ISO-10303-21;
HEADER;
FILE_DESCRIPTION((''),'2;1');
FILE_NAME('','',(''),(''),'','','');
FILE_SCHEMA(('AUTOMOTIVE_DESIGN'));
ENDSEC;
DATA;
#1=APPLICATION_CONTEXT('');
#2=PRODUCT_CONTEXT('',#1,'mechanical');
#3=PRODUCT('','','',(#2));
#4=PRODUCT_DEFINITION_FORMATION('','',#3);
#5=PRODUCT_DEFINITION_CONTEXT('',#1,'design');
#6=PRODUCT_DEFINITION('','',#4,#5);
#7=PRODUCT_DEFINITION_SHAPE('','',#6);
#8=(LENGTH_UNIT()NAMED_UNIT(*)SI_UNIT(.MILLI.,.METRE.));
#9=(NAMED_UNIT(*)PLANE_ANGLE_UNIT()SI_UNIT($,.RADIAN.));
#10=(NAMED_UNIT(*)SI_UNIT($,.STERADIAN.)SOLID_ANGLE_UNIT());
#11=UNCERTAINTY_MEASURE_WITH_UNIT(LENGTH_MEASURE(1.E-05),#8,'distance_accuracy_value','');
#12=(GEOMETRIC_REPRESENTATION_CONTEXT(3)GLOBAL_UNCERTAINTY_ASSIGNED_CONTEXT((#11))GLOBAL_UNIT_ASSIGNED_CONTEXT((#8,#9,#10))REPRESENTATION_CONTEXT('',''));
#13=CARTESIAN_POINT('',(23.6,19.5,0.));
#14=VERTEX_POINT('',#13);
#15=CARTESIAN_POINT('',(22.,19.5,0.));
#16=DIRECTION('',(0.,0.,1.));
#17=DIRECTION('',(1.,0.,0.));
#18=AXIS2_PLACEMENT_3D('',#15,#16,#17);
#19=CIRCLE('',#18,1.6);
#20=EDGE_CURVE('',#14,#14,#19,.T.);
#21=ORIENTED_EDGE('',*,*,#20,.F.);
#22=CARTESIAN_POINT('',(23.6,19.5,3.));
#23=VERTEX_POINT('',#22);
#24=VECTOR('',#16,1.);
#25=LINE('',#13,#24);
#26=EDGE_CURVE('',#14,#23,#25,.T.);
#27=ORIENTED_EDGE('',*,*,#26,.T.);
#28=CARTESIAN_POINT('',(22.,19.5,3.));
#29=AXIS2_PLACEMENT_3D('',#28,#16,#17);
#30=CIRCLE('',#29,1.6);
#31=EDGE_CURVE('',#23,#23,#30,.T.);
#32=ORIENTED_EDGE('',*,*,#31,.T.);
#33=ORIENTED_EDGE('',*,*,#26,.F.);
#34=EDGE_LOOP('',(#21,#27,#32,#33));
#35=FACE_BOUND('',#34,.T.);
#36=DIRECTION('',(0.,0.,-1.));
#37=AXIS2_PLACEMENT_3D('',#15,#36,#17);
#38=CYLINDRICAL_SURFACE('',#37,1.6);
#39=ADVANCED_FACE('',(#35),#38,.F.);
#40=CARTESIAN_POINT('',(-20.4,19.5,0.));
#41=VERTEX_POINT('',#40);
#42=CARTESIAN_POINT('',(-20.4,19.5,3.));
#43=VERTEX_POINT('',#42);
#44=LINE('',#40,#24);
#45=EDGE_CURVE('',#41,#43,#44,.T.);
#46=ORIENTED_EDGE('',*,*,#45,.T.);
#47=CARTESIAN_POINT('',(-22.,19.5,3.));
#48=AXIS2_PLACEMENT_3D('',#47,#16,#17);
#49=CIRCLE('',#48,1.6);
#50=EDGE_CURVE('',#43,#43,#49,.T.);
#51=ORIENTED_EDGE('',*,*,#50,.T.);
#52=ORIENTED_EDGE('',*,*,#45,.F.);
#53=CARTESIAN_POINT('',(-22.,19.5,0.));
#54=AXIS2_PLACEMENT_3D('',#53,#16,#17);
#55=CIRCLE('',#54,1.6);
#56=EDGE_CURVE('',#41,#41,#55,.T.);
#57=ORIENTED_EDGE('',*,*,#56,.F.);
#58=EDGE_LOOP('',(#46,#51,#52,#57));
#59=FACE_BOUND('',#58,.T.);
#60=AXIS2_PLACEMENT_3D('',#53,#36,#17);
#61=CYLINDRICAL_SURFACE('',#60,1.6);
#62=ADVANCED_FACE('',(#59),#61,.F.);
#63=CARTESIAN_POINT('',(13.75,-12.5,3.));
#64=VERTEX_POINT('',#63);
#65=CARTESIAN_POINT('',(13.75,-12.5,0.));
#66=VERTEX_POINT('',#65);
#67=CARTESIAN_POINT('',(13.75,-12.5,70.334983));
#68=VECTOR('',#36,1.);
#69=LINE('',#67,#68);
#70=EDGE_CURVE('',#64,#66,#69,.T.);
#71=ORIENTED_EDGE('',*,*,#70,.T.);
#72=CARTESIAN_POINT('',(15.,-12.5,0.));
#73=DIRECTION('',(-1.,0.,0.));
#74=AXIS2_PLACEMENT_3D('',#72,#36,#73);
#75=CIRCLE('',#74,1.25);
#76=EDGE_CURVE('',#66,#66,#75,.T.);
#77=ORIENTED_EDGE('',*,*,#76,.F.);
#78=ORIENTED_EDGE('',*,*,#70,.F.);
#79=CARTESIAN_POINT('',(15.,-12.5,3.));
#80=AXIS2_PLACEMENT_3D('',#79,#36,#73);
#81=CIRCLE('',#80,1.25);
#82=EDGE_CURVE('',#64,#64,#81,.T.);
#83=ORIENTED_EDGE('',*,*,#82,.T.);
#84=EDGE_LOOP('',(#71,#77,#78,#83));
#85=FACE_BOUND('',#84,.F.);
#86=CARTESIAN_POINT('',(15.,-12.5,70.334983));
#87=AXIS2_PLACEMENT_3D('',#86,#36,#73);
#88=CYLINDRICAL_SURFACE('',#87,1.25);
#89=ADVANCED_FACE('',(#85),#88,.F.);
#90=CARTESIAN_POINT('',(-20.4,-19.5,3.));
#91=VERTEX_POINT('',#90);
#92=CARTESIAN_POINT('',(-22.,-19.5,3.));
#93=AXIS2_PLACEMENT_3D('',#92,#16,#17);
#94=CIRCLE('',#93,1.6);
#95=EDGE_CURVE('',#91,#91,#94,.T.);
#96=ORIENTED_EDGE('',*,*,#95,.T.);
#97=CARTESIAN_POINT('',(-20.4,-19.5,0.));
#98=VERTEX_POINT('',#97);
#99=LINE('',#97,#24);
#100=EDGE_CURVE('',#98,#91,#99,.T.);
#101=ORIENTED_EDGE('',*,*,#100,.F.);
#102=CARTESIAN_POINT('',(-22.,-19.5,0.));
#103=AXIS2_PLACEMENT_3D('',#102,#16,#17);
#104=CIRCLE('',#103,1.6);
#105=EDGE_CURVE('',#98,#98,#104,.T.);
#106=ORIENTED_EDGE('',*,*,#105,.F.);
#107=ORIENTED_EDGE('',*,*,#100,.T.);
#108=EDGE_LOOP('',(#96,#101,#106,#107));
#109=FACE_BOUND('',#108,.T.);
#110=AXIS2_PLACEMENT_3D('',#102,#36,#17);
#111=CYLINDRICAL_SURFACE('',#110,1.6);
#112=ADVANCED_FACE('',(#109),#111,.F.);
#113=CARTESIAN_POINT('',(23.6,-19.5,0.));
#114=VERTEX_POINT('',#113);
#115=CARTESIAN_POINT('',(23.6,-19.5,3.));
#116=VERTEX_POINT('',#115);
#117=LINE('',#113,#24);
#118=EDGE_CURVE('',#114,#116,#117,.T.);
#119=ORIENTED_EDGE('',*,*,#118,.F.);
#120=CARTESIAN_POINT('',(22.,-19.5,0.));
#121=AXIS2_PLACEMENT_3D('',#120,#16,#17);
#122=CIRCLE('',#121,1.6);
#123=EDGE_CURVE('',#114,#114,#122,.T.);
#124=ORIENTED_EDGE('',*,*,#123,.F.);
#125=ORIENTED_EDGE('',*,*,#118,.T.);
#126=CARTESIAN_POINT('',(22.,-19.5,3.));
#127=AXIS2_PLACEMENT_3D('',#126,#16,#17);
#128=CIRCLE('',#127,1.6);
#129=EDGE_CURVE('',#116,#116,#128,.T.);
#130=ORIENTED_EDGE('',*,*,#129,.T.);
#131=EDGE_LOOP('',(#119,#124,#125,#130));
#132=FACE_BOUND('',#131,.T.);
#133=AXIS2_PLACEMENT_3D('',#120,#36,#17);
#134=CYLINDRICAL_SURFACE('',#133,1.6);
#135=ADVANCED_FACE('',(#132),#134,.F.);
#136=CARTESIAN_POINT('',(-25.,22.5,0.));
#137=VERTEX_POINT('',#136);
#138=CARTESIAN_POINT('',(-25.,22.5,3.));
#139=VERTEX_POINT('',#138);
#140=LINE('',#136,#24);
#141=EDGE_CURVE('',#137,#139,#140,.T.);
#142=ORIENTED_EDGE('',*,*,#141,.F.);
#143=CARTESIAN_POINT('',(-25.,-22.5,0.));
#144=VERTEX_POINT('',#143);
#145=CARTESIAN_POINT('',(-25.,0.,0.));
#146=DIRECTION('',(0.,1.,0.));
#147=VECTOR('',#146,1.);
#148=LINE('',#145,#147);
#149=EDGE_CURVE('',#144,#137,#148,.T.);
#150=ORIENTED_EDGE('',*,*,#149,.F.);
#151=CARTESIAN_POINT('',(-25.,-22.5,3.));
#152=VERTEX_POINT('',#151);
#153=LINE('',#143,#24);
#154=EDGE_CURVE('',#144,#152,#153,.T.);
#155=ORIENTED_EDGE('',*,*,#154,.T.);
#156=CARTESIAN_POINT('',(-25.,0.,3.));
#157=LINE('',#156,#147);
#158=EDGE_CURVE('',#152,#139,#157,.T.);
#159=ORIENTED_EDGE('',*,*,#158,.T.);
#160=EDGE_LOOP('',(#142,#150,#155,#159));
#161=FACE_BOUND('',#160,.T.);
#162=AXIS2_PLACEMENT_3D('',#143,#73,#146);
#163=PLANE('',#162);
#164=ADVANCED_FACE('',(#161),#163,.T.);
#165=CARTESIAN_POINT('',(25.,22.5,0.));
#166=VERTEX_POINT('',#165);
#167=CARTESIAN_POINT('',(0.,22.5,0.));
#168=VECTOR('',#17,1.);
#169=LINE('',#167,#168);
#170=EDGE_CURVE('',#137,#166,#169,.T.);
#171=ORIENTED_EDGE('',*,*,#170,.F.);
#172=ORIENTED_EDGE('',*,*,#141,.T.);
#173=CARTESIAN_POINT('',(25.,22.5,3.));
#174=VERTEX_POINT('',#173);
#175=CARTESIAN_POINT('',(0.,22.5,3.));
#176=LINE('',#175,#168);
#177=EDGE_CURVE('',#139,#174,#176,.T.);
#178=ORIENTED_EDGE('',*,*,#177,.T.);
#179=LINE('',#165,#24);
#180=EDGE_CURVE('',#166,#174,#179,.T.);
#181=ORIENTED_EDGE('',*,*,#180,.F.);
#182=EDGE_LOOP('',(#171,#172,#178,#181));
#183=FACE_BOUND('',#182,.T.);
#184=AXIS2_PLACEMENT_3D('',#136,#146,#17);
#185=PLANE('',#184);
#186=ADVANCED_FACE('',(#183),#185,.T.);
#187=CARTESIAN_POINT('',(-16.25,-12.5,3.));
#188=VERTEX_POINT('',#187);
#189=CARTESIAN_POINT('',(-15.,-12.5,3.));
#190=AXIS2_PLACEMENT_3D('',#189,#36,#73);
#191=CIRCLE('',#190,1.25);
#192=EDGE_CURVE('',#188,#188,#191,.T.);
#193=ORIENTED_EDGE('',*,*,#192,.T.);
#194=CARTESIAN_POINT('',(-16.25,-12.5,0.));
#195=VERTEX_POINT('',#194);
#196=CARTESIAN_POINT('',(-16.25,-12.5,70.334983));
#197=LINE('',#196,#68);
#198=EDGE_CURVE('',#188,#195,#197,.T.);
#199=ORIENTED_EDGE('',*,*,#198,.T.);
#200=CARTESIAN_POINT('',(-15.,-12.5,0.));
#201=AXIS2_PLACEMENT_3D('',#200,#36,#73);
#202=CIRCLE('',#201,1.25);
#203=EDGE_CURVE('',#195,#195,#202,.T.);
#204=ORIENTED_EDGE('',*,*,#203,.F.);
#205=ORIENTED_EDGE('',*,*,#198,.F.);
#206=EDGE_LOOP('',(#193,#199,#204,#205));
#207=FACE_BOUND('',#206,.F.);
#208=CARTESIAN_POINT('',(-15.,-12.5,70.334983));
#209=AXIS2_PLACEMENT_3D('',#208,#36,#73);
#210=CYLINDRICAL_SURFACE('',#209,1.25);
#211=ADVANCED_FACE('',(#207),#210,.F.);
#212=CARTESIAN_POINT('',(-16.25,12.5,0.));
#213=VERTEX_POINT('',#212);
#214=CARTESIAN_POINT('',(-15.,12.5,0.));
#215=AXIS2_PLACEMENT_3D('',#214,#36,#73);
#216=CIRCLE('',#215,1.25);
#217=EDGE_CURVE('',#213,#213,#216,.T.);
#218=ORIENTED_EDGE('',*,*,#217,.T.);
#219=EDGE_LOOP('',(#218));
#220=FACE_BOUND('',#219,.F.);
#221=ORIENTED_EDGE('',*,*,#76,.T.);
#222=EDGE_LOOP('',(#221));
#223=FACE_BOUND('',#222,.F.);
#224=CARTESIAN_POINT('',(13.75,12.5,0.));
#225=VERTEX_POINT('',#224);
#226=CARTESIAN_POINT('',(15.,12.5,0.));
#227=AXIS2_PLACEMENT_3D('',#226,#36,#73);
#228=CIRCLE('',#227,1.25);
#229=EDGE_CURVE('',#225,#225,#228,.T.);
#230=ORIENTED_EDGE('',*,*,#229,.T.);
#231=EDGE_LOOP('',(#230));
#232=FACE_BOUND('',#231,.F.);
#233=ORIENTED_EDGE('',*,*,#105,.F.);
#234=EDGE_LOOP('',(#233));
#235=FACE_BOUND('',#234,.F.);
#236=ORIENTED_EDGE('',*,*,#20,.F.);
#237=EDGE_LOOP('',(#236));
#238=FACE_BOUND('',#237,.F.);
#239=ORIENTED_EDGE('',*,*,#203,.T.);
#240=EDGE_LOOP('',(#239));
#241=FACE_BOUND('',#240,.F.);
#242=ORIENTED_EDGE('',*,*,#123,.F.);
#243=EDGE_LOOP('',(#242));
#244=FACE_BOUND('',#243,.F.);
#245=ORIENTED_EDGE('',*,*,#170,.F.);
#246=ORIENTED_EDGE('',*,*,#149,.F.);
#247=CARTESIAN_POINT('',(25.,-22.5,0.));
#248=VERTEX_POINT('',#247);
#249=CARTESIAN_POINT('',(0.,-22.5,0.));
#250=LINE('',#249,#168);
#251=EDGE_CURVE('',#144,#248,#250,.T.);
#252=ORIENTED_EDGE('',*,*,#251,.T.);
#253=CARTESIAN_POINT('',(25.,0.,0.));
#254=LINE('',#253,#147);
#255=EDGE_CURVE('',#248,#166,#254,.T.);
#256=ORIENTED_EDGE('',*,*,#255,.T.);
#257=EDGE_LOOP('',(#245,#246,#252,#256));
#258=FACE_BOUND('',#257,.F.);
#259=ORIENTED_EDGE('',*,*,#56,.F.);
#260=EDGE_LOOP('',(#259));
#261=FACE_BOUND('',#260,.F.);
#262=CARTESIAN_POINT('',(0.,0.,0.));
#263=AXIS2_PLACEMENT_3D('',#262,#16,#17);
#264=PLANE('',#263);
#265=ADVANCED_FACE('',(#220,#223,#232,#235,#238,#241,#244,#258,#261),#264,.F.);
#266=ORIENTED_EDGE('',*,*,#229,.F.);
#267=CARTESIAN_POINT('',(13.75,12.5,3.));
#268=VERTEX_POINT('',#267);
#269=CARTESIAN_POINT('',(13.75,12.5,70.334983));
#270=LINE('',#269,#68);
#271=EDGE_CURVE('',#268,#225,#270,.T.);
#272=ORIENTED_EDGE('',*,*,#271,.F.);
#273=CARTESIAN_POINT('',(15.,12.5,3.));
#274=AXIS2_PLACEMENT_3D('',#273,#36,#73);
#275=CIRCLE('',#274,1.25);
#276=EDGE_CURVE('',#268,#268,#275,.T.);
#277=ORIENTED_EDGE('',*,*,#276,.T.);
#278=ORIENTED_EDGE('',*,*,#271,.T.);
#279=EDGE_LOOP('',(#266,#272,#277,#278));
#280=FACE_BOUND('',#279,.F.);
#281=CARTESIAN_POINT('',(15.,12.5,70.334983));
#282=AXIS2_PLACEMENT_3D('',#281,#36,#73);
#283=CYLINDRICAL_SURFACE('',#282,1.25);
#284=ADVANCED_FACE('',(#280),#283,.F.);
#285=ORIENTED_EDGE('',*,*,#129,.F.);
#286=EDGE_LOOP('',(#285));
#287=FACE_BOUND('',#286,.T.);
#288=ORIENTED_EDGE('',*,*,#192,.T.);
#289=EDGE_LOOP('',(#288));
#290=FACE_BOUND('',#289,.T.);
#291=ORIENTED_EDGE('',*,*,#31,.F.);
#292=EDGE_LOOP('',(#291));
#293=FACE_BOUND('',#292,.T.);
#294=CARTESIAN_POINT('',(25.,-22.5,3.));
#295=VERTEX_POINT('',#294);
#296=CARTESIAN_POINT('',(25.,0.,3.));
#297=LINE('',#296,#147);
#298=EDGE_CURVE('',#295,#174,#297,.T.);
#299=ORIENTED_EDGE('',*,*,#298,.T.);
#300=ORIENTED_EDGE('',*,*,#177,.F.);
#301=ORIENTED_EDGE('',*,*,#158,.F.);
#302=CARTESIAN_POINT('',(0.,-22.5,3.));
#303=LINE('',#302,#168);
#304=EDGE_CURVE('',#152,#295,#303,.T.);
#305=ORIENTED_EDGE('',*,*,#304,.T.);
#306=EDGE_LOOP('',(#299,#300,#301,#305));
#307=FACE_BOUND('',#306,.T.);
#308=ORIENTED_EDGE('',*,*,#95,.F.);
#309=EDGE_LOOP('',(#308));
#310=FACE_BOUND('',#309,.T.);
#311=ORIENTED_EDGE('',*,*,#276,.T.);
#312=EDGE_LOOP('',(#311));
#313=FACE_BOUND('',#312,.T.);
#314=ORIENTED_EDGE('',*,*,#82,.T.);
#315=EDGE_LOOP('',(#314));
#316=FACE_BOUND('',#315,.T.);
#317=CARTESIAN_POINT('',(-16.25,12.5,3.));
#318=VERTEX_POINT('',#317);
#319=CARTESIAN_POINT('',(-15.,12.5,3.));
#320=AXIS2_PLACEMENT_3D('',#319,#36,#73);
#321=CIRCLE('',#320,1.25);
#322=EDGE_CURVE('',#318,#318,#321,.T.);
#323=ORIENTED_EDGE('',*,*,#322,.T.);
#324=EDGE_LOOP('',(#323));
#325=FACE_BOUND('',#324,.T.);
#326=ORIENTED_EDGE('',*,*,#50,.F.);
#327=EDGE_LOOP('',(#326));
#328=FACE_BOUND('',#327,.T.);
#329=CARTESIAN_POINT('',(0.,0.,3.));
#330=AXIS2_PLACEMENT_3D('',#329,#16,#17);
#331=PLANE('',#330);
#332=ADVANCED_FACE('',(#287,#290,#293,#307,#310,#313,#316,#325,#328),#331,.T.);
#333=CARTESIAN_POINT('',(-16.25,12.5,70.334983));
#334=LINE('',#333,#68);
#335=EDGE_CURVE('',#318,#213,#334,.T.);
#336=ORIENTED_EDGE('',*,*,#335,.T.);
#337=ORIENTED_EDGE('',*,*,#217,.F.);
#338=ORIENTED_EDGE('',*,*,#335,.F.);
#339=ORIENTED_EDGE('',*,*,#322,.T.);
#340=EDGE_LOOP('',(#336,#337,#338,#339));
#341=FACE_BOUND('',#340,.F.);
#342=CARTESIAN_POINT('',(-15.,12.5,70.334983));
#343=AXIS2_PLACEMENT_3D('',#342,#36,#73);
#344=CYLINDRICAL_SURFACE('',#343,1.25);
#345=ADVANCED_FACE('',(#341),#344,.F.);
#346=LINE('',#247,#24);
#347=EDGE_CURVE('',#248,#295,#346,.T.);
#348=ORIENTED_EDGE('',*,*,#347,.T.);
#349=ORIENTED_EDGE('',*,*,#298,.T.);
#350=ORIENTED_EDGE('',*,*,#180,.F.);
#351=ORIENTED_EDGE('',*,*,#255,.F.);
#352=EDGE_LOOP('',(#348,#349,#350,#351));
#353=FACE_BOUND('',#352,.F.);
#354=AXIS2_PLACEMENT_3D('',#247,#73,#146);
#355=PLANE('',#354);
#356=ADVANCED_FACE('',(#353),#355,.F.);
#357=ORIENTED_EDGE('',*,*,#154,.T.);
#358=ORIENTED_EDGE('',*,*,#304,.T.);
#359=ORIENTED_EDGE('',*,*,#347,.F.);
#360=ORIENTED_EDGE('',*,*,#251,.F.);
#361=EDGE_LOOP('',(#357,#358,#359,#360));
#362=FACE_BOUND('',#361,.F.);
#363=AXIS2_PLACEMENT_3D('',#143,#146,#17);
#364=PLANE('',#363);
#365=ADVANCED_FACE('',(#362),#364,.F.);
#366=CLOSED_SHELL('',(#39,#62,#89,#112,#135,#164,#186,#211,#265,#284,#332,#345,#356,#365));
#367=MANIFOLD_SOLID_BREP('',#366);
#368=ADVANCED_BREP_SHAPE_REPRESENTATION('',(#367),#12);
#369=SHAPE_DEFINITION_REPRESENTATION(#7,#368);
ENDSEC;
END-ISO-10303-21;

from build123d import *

# Parameters (mm, degrees)
F0_W     = 50
F0_H     = 45
F0_R     = 1.6
F1_DEPTH = 3
F3_D     = 2.5


with BuildPart() as f1:
    # F0 (on Top) → F1 (new body)
    with BuildSketch(Plane.XY):
        Rectangle(F0_W, F0_H)
        with Locations((-22, -19.5)):
            Circle(F0_R, mode=Mode.SUBTRACT)
        with Locations((22, -19.5)):
            Circle(F0_R, mode=Mode.SUBTRACT)
        with Locations((-22, 19.5)):
            Circle(F0_R, mode=Mode.SUBTRACT)
        with Locations((22, 19.5)):
            Circle(F0_R, mode=Mode.SUBTRACT)
    extrude(amount=F1_DEPTH)

    # F3 (through all)
    with Locations(Plane.XY.offset(3)):
        with Locations((-15, 12.5), (15, 12.5), (15, -12.5), (-15, -12.5)):
            Hole(F3_D / 2)


solid = f1.part
